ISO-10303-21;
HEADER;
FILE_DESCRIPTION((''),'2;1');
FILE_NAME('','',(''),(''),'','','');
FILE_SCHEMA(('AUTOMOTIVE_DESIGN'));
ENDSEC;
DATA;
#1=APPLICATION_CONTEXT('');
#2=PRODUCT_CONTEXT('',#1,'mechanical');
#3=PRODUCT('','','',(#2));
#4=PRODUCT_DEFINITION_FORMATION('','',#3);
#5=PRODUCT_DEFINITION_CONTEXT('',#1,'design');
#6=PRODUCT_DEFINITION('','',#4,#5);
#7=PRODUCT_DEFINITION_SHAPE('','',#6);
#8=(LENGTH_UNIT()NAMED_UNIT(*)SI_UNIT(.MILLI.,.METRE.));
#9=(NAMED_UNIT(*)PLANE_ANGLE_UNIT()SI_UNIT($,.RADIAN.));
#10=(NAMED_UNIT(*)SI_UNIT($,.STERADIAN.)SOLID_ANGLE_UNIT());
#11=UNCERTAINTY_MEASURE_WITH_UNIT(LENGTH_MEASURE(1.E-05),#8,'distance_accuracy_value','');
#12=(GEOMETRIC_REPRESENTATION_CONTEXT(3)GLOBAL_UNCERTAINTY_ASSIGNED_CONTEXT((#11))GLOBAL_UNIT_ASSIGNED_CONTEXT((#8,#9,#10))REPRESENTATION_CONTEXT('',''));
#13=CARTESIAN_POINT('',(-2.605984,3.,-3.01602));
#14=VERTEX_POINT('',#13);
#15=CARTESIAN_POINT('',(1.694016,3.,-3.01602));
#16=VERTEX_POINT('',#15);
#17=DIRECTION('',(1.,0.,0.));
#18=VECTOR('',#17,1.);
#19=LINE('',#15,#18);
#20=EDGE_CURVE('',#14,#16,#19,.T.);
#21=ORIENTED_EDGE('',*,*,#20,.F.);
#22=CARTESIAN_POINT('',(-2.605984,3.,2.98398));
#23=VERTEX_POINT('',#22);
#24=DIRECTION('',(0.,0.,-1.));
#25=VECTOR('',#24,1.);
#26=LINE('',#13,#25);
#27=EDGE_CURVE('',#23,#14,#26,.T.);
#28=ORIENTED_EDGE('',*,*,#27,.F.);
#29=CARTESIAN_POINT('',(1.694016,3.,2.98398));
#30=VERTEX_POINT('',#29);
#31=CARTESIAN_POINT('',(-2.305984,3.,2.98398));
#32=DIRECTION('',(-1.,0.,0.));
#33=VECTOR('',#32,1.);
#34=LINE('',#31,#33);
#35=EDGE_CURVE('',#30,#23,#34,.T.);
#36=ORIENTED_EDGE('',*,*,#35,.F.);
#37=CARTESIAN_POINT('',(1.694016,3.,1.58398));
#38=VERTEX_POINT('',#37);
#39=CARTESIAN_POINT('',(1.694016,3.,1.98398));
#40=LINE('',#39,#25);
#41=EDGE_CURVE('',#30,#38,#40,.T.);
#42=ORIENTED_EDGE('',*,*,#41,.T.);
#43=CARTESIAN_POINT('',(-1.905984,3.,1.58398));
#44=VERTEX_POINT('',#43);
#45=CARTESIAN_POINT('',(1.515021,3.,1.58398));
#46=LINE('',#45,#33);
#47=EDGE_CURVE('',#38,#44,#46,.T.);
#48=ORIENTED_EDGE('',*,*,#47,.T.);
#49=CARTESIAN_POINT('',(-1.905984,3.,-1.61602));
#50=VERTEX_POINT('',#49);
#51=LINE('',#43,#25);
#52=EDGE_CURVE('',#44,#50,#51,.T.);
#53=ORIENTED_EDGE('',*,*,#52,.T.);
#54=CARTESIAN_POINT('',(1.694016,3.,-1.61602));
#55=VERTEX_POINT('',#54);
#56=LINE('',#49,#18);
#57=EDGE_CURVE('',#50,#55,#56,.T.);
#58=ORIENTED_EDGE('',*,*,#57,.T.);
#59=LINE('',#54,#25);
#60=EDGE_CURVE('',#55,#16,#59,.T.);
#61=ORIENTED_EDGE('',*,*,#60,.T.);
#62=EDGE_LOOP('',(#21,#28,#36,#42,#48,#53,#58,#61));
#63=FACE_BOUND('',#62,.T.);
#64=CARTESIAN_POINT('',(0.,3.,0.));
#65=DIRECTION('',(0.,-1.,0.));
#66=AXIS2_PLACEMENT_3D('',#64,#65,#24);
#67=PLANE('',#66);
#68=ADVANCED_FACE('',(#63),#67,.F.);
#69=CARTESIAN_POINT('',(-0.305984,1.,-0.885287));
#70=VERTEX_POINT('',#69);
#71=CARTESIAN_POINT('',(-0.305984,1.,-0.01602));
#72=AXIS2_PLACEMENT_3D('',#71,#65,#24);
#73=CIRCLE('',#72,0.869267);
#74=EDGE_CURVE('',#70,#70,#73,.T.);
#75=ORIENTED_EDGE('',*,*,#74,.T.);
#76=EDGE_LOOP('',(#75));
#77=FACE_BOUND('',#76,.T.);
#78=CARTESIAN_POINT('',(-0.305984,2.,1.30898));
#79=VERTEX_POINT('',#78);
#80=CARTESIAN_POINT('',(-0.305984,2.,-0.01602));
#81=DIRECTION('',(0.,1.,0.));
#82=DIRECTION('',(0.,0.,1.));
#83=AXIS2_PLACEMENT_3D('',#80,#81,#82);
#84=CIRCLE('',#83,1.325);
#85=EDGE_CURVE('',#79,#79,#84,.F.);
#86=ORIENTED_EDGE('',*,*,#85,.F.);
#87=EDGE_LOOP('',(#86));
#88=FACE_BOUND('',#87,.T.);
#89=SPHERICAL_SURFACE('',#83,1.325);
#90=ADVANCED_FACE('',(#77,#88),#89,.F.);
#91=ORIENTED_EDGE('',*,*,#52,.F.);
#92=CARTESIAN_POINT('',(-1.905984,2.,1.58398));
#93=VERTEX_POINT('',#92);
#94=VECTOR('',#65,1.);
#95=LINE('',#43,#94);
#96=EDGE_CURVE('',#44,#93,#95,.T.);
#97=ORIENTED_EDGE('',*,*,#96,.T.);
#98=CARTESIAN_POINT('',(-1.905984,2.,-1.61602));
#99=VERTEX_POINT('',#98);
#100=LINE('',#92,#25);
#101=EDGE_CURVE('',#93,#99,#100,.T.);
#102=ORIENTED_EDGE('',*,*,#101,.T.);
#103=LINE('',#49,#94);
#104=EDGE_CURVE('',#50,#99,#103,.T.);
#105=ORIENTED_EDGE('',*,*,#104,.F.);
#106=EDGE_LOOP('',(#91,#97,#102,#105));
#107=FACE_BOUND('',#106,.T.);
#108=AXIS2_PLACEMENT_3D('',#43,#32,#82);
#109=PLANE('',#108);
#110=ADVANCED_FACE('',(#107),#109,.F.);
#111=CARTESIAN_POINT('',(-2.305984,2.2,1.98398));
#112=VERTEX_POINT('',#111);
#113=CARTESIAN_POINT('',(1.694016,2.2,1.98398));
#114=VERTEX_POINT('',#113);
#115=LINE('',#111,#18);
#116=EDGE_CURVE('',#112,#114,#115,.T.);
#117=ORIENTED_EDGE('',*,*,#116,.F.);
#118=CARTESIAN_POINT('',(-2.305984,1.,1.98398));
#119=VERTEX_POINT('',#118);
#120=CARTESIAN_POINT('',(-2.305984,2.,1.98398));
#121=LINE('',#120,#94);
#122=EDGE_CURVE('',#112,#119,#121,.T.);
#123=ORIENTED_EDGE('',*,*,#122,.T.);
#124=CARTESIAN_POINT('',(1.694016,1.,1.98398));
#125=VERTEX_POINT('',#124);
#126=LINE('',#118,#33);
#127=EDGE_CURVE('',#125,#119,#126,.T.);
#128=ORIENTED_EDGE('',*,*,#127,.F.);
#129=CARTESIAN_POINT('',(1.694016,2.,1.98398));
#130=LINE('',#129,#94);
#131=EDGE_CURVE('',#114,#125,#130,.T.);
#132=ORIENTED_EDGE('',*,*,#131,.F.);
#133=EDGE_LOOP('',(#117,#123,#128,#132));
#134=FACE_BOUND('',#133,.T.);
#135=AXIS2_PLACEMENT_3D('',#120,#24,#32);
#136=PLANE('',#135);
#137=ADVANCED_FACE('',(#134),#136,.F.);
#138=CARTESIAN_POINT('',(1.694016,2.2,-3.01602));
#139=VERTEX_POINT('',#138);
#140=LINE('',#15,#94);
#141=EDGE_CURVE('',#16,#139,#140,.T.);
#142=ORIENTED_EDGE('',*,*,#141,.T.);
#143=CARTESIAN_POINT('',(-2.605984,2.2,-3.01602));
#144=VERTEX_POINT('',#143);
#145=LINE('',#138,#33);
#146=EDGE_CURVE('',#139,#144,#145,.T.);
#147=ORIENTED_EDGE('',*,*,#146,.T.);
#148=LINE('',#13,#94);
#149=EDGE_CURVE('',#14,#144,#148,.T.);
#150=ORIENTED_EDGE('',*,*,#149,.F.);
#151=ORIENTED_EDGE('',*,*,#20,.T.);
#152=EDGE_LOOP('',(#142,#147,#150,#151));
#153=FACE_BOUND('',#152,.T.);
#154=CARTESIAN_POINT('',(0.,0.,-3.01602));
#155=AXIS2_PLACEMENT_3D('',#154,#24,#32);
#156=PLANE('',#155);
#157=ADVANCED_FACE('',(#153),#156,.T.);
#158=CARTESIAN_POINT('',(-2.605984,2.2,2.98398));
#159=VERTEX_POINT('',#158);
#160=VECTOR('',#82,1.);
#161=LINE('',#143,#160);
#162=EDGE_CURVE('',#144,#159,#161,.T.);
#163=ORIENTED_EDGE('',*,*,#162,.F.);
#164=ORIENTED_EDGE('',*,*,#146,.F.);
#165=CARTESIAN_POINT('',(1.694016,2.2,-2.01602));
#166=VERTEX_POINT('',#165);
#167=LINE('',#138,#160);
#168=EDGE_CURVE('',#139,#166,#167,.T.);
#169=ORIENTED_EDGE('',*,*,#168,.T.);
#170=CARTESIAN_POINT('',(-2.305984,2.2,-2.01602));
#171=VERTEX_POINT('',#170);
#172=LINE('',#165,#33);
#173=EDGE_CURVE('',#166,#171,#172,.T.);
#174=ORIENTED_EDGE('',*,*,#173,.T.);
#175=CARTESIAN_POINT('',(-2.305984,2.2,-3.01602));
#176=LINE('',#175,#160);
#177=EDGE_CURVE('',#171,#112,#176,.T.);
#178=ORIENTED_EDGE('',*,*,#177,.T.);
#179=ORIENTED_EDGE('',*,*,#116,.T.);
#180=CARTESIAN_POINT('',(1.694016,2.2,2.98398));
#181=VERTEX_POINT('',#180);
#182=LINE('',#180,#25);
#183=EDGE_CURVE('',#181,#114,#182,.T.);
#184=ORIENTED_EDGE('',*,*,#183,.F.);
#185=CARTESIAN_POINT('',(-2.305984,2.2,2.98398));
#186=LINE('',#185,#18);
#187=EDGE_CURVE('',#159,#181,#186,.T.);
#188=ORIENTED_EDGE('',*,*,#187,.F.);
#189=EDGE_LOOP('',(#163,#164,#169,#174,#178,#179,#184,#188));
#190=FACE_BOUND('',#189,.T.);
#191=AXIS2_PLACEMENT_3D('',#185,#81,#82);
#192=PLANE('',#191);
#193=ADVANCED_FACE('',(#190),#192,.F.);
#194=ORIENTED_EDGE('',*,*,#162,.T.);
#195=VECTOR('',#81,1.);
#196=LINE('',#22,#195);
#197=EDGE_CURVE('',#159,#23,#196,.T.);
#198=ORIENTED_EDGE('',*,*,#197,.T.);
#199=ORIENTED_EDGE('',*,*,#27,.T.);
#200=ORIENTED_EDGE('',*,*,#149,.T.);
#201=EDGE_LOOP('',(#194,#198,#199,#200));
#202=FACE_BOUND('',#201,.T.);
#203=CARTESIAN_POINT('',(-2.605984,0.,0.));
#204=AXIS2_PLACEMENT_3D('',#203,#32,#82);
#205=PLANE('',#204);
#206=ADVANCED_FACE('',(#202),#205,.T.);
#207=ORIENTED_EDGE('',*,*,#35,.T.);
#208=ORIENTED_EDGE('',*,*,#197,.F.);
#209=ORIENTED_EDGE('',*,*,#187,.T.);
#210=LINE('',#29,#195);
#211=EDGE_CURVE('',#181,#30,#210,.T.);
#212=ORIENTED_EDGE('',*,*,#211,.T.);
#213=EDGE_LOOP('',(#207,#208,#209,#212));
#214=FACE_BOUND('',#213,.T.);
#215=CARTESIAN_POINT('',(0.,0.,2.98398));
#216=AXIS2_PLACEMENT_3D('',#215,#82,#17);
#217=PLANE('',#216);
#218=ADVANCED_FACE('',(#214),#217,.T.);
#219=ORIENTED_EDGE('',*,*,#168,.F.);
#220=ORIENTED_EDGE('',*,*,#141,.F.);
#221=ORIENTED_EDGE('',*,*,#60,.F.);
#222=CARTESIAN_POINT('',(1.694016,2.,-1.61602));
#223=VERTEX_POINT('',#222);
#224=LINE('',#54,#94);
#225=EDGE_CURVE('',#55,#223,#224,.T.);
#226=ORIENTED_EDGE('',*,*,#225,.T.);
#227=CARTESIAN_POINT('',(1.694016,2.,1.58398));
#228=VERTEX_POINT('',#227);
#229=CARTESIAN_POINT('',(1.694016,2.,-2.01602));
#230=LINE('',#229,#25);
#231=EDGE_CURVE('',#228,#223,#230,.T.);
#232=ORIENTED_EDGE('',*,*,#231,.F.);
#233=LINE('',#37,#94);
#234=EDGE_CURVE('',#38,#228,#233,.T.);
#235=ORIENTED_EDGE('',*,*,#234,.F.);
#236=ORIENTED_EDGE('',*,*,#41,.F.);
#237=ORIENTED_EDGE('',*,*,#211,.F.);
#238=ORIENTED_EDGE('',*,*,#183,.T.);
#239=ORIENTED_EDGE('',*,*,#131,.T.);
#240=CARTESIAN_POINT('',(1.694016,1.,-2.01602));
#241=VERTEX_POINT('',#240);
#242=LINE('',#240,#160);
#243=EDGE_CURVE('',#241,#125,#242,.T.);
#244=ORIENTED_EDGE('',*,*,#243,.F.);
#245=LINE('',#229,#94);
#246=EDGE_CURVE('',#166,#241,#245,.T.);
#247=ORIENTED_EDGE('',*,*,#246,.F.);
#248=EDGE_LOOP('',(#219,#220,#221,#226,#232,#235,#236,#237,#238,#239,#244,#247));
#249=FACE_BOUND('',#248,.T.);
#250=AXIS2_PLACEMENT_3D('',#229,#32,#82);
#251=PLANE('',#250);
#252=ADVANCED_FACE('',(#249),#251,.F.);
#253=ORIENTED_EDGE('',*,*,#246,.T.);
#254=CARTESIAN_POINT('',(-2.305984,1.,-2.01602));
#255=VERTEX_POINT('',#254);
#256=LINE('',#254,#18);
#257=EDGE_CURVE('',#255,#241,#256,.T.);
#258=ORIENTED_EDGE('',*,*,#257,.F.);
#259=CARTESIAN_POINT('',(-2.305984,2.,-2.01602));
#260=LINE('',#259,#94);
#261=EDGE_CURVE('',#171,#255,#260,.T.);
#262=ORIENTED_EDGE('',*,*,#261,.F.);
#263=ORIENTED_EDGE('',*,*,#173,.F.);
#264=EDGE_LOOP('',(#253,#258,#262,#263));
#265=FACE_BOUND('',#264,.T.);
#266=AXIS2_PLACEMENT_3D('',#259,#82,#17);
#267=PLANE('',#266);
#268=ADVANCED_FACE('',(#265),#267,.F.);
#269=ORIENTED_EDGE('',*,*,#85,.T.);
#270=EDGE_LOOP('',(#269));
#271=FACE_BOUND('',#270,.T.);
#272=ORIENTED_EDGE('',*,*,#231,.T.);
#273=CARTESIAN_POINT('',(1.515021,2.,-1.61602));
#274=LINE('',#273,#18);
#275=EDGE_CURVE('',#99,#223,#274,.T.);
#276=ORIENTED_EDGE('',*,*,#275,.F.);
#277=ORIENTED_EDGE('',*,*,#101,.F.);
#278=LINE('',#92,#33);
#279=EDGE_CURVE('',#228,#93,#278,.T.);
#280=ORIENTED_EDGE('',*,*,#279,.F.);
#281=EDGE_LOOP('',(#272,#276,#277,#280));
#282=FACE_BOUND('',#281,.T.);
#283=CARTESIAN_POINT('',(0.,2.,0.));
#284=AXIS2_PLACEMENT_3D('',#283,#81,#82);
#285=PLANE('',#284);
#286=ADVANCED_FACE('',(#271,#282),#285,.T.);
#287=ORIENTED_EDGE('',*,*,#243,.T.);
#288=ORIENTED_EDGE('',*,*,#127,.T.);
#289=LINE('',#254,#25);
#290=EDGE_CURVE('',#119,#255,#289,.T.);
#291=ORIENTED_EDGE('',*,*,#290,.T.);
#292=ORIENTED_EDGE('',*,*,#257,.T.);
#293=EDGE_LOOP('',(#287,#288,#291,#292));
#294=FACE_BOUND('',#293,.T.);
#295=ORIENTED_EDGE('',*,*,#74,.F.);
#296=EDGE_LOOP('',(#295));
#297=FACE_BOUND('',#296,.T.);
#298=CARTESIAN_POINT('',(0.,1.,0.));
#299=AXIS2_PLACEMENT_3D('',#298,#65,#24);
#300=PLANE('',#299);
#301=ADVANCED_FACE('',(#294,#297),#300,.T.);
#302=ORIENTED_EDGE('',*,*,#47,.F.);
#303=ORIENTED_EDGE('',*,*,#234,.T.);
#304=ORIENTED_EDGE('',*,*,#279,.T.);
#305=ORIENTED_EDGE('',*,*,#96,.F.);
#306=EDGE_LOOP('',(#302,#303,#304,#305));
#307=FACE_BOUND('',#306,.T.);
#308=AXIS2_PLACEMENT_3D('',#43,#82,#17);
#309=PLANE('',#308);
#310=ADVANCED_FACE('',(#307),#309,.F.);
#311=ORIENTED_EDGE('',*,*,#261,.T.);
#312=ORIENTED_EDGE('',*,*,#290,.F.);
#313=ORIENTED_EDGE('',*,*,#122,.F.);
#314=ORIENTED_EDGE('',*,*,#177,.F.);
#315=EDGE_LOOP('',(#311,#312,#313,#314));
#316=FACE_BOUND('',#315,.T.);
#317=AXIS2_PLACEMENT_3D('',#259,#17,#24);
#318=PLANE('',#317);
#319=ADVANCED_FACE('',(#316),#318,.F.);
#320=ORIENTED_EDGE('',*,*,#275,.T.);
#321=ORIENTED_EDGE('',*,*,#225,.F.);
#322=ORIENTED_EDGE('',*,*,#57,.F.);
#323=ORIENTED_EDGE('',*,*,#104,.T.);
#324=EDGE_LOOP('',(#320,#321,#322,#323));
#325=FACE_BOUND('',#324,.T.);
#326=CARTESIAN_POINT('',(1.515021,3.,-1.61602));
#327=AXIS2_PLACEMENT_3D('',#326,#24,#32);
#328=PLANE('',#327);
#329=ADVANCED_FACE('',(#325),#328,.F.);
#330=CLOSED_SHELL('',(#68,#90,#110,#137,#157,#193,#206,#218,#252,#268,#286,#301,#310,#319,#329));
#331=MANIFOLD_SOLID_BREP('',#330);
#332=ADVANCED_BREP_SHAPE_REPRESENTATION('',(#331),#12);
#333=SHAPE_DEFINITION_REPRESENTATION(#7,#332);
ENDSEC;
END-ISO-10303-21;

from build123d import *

# Parameters (mm, degrees)
SKETCH1_W           = 4
SKETCH1_H           = 4
BOSS_EXTRUDE1_DEPTH = 2
SKETCH3_W           = 6.995739113
SKETCH3_H           = 4.795831112
CUT_EXTRUDE1_DEPTH  = 1
BOSS_EXTRUDE2_DEPTH = 1
SKETCH5_W           = 4
SKETCH5_H           = 0.8
BOSS_EXTRUDE3_DEPTH = 1
SKETCH6_W           = 4
SKETCH6_H           = 0.8
BOSS_EXTRUDE4_DEPTH = 1
SKETCH9_W           = 6
SKETCH9_H           = 0.8
BOSS_EXTRUDE6_DEPTH = 0.3


with BuildPart() as part:
    # Sketch1 → Boss-Extrude1 (new body)
    with BuildSketch(Plane(origin=(0, 0, 0), x_dir=(1, 0, 0), z_dir=(0, 1, 0))):
        with Locations((-0.305984445, 0.016020496)):
            Rectangle(SKETCH1_W, SKETCH1_H)
    extrude(amount=BOSS_EXTRUDE1_DEPTH)

    # Sketch2 → Cut-Revolve1 (revolve, cut)
    with BuildSketch(Plane(origin=(0, 2, 0), x_dir=(1, 0, 0), z_dir=(0, 1, 0))):
        with BuildLine():
            Line((-0.305984445, -1.308979504), (-0.305984445, 1.341020496))
            ThreePointArc((-0.305984445, 1.341020496), (-1.630984445, 0.016020496), (-0.305984445, -1.308979504))
        make_face()
    revolve(axis=Axis((-0.305984445, 2, 1.308979504), (0, 0, -1)), mode=Mode.SUBTRACT)

    # Sketch3 → Cut-Extrude1 (cut)
    with BuildSketch(Plane.XZ):
        with Locations((-1.219435612, 0.226207457)):
            Rectangle(SKETCH3_W, SKETCH3_H)
    extrude(amount=-CUT_EXTRUDE1_DEPTH, mode=Mode.SUBTRACT)

    # Sketch4 → Boss-Extrude2 (add)
    with BuildSketch(Plane(origin=(0, 2, 0), x_dir=(1, 0, 0), z_dir=(0, 1, 0))):
        Polygon((-1.905984445, -1.583979504), (1.515020657, -1.583979504), (1.694015555, -1.583979504), (1.694015555, -1.983979504), (-2.305984445, -1.983979504), (-2.305984445, 2.016020496), (1.694015555, 2.016020496), (1.694015555, 1.616020496), (1.515020657, 1.616020496), (-1.905984445, 1.616020496), align=None)
    extrude(amount=BOSS_EXTRUDE2_DEPTH)

    # Sketch5 → Boss-Extrude3 (add)
    with BuildSketch(Plane.XY.offset(1.983979504)):
        with Locations((-0.305984445, 2.6)):
            Rectangle(SKETCH5_W, SKETCH5_H)
    extrude(amount=BOSS_EXTRUDE3_DEPTH)

    # Sketch6 → Boss-Extrude4 (add)
    with BuildSketch(Plane(origin=(0, 0, -2.016020496), x_dir=(-1, 0, 0), z_dir=(0, 0, -1))):
        with Locations((0.305984445, 2.6)):
            Rectangle(SKETCH6_W, SKETCH6_H)
    extrude(amount=BOSS_EXTRUDE4_DEPTH)

    # Sketch9 → Boss-Extrude6 (add)
    with BuildSketch(Plane.ZY.offset(2.305984445)):
        with Locations((-0.016020496, 2.6)):
            Rectangle(SKETCH9_W, SKETCH9_H)
    extrude(amount=BOSS_EXTRUDE6_DEPTH)


solid = part.part
